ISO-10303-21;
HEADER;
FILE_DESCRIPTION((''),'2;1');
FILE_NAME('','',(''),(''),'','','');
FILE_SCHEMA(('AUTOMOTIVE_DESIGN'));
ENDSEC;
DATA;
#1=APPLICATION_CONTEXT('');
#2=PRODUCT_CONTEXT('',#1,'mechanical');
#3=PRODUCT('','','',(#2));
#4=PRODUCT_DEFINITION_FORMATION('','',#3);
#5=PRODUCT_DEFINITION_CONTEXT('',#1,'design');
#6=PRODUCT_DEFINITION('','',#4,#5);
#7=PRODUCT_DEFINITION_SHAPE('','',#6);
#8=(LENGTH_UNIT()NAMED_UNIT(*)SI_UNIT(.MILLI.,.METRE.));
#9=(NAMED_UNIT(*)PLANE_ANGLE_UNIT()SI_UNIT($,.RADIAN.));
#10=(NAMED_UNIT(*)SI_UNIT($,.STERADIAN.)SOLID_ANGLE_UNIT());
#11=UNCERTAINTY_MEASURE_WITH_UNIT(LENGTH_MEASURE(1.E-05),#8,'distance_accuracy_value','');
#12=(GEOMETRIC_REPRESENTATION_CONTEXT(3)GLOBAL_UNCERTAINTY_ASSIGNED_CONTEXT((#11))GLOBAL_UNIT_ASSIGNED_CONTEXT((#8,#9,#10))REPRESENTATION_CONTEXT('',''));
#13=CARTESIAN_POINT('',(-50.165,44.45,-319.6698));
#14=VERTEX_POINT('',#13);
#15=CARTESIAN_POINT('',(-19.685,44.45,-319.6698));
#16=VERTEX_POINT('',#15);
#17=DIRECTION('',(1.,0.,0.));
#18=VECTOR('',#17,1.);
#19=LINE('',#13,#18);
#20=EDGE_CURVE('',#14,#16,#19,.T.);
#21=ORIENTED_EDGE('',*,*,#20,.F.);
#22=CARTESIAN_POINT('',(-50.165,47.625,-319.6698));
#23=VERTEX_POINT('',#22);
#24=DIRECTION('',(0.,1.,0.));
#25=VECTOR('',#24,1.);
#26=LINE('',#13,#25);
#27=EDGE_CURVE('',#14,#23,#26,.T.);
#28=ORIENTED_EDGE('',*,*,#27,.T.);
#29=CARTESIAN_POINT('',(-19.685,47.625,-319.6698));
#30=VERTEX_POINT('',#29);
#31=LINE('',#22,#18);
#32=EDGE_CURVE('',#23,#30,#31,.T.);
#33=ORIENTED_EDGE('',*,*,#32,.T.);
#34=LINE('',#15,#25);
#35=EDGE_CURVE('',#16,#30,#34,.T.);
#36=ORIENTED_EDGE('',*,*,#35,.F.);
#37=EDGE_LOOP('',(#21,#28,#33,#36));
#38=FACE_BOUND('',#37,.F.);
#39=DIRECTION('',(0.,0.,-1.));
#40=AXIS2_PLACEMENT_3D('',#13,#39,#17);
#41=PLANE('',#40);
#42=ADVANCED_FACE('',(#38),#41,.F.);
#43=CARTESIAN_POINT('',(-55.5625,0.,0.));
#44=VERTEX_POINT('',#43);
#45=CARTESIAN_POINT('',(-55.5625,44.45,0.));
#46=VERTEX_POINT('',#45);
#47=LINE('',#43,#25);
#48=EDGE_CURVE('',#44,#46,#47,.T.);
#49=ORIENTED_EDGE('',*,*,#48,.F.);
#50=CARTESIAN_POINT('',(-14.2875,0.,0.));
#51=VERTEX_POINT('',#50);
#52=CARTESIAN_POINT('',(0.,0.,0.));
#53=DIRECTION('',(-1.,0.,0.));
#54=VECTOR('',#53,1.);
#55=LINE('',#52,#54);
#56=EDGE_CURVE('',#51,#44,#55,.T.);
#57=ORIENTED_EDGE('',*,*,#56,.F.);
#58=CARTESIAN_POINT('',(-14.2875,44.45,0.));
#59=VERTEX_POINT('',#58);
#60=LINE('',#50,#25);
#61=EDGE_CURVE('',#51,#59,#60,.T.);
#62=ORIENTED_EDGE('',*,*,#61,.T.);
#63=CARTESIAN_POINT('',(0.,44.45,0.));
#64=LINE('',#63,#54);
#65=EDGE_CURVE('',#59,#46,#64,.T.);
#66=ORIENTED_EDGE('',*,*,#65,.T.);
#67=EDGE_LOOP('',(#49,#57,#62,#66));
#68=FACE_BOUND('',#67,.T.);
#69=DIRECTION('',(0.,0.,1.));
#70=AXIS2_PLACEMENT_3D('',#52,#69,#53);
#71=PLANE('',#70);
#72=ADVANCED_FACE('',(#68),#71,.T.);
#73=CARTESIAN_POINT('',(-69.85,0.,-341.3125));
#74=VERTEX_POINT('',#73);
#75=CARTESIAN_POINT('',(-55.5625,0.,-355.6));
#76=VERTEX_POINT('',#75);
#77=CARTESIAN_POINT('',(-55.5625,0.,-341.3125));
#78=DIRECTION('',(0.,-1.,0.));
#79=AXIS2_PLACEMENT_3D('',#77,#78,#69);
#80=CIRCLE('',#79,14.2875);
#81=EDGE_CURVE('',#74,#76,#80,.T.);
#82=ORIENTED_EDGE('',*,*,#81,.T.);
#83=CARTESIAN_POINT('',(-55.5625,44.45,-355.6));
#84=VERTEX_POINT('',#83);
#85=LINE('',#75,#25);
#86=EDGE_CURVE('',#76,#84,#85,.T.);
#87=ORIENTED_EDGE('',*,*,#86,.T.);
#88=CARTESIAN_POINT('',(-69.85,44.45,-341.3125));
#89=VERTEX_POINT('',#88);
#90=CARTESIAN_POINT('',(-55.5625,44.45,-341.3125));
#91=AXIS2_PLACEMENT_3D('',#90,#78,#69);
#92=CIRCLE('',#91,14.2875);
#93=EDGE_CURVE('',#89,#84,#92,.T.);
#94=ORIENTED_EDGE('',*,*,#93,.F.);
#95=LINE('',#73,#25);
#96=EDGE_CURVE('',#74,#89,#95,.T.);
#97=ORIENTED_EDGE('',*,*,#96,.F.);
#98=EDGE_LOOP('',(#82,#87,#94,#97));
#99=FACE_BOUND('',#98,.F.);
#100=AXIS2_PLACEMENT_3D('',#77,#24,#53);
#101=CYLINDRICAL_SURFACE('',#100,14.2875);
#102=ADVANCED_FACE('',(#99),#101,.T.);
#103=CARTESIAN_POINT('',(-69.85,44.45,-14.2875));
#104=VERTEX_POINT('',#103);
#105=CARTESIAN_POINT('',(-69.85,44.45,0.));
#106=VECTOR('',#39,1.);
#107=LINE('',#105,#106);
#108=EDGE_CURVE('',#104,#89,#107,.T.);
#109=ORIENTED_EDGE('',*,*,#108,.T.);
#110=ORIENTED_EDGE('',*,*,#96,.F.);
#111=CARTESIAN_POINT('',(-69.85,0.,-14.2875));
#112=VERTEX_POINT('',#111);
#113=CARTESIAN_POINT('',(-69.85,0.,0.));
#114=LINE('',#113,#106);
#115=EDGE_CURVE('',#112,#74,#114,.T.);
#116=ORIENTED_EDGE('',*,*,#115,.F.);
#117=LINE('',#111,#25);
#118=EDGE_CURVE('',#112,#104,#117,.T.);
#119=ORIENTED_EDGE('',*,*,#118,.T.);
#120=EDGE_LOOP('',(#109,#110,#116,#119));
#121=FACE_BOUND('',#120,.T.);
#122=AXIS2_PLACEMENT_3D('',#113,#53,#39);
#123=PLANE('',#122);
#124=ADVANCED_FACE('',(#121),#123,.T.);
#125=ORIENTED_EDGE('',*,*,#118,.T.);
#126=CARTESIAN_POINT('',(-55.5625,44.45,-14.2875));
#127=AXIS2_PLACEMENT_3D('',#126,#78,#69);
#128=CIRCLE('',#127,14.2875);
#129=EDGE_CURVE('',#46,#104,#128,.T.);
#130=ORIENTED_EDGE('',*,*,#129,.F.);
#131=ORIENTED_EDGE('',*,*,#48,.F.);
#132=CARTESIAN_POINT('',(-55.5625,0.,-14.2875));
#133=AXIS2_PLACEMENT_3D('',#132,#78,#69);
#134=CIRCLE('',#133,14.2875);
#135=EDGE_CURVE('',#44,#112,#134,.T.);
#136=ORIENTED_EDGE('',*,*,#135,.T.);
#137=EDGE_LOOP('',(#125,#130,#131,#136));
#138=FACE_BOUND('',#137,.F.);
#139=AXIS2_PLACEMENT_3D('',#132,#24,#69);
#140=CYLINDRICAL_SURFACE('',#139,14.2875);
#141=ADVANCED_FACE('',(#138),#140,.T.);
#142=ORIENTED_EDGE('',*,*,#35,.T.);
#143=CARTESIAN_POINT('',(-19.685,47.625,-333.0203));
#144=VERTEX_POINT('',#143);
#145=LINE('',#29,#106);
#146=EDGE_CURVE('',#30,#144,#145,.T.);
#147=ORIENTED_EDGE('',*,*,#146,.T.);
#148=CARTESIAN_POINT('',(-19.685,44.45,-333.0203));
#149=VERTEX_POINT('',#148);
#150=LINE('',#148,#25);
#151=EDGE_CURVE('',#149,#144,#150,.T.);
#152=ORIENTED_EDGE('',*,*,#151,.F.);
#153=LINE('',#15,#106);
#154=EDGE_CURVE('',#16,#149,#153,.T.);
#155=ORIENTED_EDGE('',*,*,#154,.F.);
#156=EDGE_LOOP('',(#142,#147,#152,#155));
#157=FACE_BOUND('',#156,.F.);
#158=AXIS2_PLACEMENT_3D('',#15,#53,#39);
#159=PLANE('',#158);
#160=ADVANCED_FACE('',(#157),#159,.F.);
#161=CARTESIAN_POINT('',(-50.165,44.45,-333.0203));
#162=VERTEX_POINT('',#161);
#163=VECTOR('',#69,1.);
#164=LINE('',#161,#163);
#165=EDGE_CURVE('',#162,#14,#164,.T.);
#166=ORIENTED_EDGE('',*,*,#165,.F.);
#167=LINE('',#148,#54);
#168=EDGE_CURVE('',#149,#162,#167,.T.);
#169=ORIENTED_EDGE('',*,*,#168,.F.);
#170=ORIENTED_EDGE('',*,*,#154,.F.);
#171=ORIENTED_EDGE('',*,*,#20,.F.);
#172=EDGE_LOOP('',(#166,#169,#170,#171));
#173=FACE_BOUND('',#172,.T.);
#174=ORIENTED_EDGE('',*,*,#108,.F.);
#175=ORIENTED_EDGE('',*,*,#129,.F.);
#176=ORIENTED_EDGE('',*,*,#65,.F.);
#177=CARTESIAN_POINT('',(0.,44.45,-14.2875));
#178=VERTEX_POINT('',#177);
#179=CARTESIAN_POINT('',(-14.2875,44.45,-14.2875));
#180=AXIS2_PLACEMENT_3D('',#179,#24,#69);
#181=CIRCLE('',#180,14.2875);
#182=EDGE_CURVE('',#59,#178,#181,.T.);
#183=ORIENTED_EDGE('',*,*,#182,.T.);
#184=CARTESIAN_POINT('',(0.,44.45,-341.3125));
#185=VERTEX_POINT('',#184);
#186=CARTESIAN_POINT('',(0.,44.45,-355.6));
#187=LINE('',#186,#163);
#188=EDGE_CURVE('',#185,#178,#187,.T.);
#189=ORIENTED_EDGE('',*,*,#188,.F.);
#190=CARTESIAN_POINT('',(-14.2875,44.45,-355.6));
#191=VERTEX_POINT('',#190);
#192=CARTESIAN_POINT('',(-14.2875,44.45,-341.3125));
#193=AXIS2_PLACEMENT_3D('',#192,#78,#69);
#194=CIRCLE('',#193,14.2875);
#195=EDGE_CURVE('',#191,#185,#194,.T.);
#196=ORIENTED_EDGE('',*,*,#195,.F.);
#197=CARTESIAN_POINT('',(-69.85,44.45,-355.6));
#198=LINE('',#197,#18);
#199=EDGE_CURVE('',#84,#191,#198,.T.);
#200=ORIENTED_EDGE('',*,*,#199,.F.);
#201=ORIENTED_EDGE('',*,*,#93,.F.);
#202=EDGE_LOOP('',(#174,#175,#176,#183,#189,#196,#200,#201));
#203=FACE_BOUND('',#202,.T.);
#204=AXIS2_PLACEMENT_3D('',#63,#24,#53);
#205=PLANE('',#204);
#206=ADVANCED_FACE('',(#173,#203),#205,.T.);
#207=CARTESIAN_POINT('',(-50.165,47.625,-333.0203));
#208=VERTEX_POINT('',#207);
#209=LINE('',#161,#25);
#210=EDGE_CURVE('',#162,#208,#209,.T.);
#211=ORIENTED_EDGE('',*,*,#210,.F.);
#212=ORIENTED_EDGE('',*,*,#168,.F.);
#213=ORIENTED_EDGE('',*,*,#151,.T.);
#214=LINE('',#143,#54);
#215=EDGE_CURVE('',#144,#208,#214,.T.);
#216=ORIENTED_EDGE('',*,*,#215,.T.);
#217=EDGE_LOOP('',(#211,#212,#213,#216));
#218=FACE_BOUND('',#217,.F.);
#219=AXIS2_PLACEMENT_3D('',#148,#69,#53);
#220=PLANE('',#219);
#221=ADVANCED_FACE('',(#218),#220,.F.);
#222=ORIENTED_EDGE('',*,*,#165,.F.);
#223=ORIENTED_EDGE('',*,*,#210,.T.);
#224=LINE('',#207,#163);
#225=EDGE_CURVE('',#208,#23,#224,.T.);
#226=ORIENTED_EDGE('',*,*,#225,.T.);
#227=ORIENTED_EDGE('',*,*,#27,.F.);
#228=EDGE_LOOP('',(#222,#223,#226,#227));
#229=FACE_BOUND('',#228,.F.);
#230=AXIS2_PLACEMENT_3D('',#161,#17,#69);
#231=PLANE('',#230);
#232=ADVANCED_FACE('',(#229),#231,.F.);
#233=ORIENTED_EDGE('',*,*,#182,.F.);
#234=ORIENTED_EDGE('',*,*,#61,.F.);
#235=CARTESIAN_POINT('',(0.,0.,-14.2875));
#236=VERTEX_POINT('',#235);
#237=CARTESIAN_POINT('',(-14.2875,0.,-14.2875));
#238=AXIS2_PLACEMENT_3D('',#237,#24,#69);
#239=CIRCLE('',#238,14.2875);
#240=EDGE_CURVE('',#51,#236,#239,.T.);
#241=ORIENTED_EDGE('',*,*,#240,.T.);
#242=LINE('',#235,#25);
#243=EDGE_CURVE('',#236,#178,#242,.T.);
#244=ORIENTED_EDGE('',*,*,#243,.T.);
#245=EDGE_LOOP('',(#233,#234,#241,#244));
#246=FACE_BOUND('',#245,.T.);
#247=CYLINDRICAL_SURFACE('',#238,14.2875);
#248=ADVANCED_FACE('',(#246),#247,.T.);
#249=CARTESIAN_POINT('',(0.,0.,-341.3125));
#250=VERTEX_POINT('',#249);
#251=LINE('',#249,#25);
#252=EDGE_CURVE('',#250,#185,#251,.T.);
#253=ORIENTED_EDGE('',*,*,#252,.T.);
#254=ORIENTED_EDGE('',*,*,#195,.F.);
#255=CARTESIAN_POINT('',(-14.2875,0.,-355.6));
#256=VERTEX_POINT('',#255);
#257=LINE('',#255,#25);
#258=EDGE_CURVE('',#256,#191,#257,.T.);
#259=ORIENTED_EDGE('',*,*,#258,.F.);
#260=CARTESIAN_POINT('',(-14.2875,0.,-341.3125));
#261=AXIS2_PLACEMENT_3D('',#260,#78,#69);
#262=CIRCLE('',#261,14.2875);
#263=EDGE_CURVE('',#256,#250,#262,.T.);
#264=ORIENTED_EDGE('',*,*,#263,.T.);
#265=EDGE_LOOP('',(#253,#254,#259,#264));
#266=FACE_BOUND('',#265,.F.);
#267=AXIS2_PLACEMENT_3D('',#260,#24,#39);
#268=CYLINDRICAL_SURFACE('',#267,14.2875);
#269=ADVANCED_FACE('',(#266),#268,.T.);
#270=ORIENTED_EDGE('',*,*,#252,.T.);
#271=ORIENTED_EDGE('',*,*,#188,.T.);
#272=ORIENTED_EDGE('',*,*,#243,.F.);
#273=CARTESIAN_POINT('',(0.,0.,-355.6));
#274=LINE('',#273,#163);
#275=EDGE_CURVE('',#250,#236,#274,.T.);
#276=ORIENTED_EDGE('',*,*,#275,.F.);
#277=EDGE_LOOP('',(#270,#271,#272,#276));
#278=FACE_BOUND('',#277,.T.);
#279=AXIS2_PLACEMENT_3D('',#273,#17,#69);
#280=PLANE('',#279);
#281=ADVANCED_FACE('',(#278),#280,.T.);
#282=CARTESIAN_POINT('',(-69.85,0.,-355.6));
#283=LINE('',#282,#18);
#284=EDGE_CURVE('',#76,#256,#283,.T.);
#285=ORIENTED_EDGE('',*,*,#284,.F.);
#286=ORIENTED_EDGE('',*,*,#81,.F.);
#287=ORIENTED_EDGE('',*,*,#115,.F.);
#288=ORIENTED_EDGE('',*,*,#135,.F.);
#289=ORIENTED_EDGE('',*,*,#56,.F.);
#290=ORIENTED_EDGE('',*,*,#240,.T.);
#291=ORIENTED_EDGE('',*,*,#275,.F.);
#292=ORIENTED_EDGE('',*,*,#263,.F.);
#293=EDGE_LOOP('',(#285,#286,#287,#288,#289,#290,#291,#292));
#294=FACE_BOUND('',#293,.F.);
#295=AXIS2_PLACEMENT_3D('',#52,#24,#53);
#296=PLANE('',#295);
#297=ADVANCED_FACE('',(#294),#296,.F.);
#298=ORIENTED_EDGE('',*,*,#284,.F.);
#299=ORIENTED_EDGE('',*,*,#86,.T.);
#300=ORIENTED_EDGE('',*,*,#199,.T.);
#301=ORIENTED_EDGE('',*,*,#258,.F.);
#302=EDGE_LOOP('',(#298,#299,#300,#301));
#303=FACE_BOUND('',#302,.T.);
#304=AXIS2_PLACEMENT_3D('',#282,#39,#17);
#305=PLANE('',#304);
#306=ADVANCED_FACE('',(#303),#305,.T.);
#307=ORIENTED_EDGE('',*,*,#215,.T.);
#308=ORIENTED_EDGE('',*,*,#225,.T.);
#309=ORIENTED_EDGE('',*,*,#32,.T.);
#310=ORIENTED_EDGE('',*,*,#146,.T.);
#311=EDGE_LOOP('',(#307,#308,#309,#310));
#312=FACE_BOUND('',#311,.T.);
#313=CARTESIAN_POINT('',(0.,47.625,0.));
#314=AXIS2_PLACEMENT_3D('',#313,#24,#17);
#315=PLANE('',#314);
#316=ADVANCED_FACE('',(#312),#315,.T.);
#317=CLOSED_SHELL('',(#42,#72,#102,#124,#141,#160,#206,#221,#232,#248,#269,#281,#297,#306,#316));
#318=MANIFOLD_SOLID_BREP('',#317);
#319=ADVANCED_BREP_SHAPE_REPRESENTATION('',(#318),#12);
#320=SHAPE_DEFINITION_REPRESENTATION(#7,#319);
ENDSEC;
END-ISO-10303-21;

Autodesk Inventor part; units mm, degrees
ref_plane "YZ Plane" through (0, 0, 0) normal (1, 0, 0) x (0, 1, 0)
ref_plane "XZ Plane" through (0, 0, 0) normal (0, 1, 0) x (-1, 0, 0)
ref_plane "XY Plane" through (0, 0, 0) normal (0, 0, 1) x (1, 0, 0)
sketch "Sketch1" plane through (0, 0, 0) normal (0, 1, 0) x (-1, 0, 0)
  line L0 (0, 0) -> (69.85, 0)
  line L1 (69.85, 0) -> (69.85, -355.6)
  line L2 (69.85, -355.6) -> (0, -355.6)
  line L3 (0, -355.6) -> (0, 0)
  dimension "d0" = 69.85
  dimension "d1" = 355.6
extrude "Extrusion1" add sketch "Sketch1" along normal blind 44.45
fillet "Fillet1" radius 14.2875 4 edges at (0, 22.225, 0) (-69.85, 22.225, 0) (0, 22.225, -355.6) (-69.85, 22.225, -355.6)
sketch "Sketch3" plane through (0, 44.45, 0) normal (0, 1, 0) x (1, 0, 0)
  arc A0 (-55.5625, 355.6) -> (-69.85, 341.3125) centre (-55.5625, 341.3125) ccw projected
  line L0 (-69.85, 341.3125) -> (-69.85, 14.2875) projected
  arc A1 (-69.85, 14.2875) -> (-55.5625, 0) centre (-55.5625, 14.2875) ccw projected
  line L1 (-55.5625, 0) -> (-14.2875, 0) projected
  arc A2 (-14.2875, 0) -> (0, 14.2875) centre (-14.2875, 14.2875) ccw projected
  line L2 (0, 14.2875) -> (0, 341.3125) projected
  arc A3 (0, 341.3125) -> (-14.2875, 355.6) centre (-14.2875, 341.3125) ccw projected
  line L3 (-14.2875, 355.6) -> (-55.5625, 355.6) projected
  line L4 (-19.685, 333.0203) -> (-50.165, 333.0203)
  line L5 (-50.165, 333.0203) -> (-50.165, 319.6698)
  line L6 (-50.165, 319.6698) -> (-19.685, 319.6698)
  line L7 (-19.685, 319.6698) -> (-19.685, 333.0203)
  line L8 (-19.685, 333.0203) -> (-50.165, 319.6698) construction
  line L9 (-50.165, 333.0203) -> (-19.685, 319.6698) construction
  point P0 (0, 0)
  point P1 (-34.925, 326.345)
extrude "Extrusion3" add sketch "Sketch3" along normal blind 3.175 contours L7 L6 L5 L4
properties part number "power strip"
